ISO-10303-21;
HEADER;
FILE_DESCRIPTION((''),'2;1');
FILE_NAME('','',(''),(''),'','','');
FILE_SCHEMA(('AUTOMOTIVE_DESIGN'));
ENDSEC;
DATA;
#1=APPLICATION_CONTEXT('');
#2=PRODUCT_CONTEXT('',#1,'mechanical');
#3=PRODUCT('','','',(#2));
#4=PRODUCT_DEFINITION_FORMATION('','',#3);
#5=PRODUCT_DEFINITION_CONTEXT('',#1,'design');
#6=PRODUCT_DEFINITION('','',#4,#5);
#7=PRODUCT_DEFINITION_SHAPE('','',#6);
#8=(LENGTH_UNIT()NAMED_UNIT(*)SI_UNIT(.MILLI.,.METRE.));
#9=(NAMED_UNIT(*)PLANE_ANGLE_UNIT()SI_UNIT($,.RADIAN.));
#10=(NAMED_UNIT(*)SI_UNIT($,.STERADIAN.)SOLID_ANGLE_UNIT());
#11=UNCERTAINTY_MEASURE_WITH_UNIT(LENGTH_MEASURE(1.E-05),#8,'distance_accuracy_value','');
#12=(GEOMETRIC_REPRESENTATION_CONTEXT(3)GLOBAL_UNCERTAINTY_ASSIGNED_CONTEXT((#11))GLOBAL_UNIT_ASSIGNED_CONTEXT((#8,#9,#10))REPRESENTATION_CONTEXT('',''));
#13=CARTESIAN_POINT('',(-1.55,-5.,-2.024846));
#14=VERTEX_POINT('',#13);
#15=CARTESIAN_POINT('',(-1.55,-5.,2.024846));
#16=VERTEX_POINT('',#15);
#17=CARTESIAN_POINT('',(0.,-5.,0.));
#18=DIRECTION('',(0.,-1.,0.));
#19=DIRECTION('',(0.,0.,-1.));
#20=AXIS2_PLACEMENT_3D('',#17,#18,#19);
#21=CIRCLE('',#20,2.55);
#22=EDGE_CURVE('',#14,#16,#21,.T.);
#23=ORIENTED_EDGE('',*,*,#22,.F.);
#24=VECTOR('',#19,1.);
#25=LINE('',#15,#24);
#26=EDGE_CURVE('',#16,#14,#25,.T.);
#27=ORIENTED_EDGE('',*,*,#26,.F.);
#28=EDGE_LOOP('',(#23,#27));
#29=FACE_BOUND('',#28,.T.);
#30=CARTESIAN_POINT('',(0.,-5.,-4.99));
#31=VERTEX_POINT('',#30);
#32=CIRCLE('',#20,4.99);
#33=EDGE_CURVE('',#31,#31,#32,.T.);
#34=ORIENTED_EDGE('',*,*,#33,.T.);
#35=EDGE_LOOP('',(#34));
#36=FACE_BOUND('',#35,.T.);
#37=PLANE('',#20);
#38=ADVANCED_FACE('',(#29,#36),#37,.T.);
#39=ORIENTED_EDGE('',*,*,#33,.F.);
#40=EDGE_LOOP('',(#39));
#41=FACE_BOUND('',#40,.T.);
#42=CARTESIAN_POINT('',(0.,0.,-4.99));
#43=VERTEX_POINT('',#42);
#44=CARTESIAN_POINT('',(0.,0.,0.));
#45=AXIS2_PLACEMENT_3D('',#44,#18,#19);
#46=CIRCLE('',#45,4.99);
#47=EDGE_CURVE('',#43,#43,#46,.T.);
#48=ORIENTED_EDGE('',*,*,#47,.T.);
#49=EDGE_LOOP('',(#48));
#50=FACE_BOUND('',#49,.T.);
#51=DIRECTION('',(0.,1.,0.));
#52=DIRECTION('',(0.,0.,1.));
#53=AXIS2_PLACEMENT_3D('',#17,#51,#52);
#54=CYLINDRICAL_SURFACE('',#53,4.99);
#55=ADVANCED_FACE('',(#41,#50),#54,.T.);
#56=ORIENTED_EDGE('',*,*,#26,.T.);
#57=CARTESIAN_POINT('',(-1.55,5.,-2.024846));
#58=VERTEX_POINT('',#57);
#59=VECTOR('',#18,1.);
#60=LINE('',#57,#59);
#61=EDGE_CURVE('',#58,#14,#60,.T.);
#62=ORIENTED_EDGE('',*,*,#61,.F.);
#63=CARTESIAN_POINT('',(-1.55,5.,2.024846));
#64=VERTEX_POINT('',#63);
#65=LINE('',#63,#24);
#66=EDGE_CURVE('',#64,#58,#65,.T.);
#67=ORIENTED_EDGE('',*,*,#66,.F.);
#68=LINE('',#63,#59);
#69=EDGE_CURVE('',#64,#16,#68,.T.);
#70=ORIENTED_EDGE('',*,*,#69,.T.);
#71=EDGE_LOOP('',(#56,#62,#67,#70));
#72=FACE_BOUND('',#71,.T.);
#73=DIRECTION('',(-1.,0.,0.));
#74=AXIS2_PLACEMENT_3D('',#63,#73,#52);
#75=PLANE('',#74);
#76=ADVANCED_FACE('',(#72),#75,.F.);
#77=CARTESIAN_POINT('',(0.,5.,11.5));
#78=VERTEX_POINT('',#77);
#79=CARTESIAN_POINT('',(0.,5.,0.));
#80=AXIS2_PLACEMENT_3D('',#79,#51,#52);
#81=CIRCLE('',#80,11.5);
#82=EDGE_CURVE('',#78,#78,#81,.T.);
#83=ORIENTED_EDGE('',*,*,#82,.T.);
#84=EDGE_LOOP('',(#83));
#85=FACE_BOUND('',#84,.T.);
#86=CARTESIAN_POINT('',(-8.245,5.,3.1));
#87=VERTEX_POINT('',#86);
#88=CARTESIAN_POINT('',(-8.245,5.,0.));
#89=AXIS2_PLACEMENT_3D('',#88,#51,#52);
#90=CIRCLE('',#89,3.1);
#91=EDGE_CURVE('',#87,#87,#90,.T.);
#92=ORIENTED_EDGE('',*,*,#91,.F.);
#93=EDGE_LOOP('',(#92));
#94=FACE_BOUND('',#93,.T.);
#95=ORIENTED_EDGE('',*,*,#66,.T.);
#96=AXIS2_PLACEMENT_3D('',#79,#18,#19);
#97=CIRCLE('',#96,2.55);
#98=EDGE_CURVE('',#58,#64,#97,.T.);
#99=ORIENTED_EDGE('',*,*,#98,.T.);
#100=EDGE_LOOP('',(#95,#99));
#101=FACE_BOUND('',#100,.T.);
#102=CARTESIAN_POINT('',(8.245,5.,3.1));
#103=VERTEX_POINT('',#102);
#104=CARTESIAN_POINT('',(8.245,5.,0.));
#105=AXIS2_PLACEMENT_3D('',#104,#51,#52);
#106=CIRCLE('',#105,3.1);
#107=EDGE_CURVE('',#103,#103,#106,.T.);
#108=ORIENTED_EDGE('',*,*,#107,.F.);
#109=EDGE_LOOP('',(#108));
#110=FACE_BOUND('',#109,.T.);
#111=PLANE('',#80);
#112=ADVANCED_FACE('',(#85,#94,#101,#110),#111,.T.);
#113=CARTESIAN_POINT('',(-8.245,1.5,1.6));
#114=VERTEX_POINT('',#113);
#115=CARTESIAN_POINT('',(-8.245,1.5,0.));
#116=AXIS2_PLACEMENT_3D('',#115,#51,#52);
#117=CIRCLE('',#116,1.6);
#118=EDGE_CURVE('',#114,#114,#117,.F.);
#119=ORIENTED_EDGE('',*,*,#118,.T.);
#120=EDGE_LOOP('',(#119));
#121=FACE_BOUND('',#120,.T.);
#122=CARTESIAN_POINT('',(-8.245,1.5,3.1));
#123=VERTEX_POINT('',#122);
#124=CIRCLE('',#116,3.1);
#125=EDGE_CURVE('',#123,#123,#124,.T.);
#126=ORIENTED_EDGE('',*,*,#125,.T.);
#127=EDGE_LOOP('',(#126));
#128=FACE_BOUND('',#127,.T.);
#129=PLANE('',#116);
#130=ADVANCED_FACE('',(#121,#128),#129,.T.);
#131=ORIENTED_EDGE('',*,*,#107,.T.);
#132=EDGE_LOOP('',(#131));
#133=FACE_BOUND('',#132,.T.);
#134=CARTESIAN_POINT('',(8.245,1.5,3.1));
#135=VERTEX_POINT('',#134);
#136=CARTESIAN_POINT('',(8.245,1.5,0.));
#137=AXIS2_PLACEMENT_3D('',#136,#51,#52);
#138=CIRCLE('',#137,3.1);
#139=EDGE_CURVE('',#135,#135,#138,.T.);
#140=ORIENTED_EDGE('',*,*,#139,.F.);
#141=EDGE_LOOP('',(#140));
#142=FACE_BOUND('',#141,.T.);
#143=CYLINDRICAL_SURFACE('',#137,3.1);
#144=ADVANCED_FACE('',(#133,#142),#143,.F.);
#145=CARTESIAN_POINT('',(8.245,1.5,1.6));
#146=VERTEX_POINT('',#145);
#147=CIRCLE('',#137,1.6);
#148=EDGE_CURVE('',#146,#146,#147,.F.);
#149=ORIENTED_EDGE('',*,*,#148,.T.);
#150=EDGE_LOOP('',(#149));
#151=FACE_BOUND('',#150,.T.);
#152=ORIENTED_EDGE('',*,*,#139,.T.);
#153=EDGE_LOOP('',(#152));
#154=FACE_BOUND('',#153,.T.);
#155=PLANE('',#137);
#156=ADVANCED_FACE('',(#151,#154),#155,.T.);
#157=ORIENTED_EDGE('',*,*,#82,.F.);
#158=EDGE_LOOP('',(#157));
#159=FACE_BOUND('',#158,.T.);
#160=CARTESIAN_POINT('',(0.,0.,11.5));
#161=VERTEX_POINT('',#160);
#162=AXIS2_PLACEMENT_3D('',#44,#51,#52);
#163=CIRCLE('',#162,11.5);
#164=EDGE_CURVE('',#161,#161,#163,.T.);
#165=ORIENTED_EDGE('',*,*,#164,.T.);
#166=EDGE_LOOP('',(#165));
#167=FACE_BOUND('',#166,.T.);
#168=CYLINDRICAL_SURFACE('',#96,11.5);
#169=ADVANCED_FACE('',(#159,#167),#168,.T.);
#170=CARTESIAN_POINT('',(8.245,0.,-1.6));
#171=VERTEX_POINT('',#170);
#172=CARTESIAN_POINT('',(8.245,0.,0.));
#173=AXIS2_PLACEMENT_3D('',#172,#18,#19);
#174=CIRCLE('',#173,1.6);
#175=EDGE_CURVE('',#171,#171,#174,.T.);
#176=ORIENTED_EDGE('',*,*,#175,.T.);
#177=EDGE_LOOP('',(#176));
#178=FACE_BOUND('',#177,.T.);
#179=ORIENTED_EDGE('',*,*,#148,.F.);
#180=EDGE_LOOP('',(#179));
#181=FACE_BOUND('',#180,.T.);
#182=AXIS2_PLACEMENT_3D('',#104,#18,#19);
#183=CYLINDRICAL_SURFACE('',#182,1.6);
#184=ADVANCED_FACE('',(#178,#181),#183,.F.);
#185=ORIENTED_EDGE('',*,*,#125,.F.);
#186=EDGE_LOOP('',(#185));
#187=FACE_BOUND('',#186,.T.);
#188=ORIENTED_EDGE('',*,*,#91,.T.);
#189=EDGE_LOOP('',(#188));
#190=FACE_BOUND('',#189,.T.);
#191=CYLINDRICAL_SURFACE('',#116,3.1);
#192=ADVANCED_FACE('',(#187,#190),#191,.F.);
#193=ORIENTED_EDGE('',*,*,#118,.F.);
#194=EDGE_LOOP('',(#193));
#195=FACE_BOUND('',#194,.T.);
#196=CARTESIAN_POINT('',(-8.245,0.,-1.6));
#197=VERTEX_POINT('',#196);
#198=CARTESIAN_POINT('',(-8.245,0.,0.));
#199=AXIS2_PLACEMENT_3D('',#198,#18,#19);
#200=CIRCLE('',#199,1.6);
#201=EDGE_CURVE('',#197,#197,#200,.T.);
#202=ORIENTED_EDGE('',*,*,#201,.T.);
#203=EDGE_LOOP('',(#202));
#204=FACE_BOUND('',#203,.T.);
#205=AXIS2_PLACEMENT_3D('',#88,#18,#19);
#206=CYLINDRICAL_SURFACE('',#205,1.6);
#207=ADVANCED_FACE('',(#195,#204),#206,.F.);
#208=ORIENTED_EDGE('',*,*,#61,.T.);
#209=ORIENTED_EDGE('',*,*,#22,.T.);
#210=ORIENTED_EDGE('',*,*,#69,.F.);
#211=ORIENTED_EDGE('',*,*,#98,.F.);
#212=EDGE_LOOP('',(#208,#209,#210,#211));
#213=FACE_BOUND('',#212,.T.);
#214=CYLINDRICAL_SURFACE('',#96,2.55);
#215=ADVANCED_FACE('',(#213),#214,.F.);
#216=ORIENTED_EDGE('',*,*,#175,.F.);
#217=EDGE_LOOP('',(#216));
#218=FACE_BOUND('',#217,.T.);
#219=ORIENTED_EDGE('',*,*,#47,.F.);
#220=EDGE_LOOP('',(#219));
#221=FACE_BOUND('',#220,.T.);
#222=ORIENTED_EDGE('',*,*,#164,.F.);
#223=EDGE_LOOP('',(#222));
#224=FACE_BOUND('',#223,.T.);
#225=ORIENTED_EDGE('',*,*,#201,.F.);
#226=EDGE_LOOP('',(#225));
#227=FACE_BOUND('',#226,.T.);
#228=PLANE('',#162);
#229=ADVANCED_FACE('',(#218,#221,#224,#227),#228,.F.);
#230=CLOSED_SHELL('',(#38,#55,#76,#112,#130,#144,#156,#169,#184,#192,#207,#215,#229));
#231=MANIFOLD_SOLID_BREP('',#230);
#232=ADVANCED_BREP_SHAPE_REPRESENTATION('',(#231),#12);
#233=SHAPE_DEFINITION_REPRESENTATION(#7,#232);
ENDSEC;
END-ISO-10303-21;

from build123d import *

# Parameters (mm, degrees)
CROQUIS1_R              = 11.5
SALIENTE_EXTRUIR1_DEPTH = 5
CROQUIS2_R              = 4.99
SALIENTE_EXTRUIR2_DEPTH = 5
CROQUIS3_R              = 1.6
CORTAR_EXTRUIR1_DEPTH   = 6
CORTAR_EXTRUIR2_DEPTH   = 11
CROQUIS5_R              = 3.1
CORTAR_EXTRUIR3_DEPTH   = 3.5


with BuildPart() as part:
    # Croquis1 → Saliente-Extruir1 (new body)
    with BuildSketch(Plane(origin=(0, 0, 0), x_dir=(1, 0, 0), z_dir=(0, 1, 0))):
        Circle(CROQUIS1_R)
    extrude(amount=SALIENTE_EXTRUIR1_DEPTH)

    # Croquis2 → Saliente-Extruir2 (add)
    with BuildSketch(Plane.XZ):
        Circle(CROQUIS2_R)
    extrude(amount=SALIENTE_EXTRUIR2_DEPTH)

    # Croquis3 → Cortar-Extruir1 (cut, through all)
    with BuildSketch(Plane.XZ):
        with Locations((-8.245, 0)):
            Circle(CROQUIS3_R)
        with Locations((8.245, 0)):
            Circle(CROQUIS3_R)
    extrude(amount=-CORTAR_EXTRUIR1_DEPTH, mode=Mode.SUBTRACT)

    # Croquis4 → Cortar-Extruir2 (cut, through all)
    with BuildSketch(Plane.XZ.offset(5)):
        with BuildLine():
            Line((-1.55, 2.024845673), (-1.55, -2.024845673))
            ThreePointArc((-1.55, -2.024845673), (2.55, 0), (-1.55, 2.024845673))
        make_face()
    extrude(amount=-CORTAR_EXTRUIR2_DEPTH, mode=Mode.SUBTRACT)

    # Croquis5 → Cortar-Extruir3 (cut)
    with BuildSketch(Plane(origin=(0, 5, 0), x_dir=(1, 0, 0), z_dir=(0, 1, 0))):
        with Locations((-8.245, 0)):
            Circle(CROQUIS5_R)
        with Locations((8.245, 0)):
            Circle(CROQUIS5_R)
    extrude(amount=-CORTAR_EXTRUIR3_DEPTH, mode=Mode.SUBTRACT)


solid = part.part
